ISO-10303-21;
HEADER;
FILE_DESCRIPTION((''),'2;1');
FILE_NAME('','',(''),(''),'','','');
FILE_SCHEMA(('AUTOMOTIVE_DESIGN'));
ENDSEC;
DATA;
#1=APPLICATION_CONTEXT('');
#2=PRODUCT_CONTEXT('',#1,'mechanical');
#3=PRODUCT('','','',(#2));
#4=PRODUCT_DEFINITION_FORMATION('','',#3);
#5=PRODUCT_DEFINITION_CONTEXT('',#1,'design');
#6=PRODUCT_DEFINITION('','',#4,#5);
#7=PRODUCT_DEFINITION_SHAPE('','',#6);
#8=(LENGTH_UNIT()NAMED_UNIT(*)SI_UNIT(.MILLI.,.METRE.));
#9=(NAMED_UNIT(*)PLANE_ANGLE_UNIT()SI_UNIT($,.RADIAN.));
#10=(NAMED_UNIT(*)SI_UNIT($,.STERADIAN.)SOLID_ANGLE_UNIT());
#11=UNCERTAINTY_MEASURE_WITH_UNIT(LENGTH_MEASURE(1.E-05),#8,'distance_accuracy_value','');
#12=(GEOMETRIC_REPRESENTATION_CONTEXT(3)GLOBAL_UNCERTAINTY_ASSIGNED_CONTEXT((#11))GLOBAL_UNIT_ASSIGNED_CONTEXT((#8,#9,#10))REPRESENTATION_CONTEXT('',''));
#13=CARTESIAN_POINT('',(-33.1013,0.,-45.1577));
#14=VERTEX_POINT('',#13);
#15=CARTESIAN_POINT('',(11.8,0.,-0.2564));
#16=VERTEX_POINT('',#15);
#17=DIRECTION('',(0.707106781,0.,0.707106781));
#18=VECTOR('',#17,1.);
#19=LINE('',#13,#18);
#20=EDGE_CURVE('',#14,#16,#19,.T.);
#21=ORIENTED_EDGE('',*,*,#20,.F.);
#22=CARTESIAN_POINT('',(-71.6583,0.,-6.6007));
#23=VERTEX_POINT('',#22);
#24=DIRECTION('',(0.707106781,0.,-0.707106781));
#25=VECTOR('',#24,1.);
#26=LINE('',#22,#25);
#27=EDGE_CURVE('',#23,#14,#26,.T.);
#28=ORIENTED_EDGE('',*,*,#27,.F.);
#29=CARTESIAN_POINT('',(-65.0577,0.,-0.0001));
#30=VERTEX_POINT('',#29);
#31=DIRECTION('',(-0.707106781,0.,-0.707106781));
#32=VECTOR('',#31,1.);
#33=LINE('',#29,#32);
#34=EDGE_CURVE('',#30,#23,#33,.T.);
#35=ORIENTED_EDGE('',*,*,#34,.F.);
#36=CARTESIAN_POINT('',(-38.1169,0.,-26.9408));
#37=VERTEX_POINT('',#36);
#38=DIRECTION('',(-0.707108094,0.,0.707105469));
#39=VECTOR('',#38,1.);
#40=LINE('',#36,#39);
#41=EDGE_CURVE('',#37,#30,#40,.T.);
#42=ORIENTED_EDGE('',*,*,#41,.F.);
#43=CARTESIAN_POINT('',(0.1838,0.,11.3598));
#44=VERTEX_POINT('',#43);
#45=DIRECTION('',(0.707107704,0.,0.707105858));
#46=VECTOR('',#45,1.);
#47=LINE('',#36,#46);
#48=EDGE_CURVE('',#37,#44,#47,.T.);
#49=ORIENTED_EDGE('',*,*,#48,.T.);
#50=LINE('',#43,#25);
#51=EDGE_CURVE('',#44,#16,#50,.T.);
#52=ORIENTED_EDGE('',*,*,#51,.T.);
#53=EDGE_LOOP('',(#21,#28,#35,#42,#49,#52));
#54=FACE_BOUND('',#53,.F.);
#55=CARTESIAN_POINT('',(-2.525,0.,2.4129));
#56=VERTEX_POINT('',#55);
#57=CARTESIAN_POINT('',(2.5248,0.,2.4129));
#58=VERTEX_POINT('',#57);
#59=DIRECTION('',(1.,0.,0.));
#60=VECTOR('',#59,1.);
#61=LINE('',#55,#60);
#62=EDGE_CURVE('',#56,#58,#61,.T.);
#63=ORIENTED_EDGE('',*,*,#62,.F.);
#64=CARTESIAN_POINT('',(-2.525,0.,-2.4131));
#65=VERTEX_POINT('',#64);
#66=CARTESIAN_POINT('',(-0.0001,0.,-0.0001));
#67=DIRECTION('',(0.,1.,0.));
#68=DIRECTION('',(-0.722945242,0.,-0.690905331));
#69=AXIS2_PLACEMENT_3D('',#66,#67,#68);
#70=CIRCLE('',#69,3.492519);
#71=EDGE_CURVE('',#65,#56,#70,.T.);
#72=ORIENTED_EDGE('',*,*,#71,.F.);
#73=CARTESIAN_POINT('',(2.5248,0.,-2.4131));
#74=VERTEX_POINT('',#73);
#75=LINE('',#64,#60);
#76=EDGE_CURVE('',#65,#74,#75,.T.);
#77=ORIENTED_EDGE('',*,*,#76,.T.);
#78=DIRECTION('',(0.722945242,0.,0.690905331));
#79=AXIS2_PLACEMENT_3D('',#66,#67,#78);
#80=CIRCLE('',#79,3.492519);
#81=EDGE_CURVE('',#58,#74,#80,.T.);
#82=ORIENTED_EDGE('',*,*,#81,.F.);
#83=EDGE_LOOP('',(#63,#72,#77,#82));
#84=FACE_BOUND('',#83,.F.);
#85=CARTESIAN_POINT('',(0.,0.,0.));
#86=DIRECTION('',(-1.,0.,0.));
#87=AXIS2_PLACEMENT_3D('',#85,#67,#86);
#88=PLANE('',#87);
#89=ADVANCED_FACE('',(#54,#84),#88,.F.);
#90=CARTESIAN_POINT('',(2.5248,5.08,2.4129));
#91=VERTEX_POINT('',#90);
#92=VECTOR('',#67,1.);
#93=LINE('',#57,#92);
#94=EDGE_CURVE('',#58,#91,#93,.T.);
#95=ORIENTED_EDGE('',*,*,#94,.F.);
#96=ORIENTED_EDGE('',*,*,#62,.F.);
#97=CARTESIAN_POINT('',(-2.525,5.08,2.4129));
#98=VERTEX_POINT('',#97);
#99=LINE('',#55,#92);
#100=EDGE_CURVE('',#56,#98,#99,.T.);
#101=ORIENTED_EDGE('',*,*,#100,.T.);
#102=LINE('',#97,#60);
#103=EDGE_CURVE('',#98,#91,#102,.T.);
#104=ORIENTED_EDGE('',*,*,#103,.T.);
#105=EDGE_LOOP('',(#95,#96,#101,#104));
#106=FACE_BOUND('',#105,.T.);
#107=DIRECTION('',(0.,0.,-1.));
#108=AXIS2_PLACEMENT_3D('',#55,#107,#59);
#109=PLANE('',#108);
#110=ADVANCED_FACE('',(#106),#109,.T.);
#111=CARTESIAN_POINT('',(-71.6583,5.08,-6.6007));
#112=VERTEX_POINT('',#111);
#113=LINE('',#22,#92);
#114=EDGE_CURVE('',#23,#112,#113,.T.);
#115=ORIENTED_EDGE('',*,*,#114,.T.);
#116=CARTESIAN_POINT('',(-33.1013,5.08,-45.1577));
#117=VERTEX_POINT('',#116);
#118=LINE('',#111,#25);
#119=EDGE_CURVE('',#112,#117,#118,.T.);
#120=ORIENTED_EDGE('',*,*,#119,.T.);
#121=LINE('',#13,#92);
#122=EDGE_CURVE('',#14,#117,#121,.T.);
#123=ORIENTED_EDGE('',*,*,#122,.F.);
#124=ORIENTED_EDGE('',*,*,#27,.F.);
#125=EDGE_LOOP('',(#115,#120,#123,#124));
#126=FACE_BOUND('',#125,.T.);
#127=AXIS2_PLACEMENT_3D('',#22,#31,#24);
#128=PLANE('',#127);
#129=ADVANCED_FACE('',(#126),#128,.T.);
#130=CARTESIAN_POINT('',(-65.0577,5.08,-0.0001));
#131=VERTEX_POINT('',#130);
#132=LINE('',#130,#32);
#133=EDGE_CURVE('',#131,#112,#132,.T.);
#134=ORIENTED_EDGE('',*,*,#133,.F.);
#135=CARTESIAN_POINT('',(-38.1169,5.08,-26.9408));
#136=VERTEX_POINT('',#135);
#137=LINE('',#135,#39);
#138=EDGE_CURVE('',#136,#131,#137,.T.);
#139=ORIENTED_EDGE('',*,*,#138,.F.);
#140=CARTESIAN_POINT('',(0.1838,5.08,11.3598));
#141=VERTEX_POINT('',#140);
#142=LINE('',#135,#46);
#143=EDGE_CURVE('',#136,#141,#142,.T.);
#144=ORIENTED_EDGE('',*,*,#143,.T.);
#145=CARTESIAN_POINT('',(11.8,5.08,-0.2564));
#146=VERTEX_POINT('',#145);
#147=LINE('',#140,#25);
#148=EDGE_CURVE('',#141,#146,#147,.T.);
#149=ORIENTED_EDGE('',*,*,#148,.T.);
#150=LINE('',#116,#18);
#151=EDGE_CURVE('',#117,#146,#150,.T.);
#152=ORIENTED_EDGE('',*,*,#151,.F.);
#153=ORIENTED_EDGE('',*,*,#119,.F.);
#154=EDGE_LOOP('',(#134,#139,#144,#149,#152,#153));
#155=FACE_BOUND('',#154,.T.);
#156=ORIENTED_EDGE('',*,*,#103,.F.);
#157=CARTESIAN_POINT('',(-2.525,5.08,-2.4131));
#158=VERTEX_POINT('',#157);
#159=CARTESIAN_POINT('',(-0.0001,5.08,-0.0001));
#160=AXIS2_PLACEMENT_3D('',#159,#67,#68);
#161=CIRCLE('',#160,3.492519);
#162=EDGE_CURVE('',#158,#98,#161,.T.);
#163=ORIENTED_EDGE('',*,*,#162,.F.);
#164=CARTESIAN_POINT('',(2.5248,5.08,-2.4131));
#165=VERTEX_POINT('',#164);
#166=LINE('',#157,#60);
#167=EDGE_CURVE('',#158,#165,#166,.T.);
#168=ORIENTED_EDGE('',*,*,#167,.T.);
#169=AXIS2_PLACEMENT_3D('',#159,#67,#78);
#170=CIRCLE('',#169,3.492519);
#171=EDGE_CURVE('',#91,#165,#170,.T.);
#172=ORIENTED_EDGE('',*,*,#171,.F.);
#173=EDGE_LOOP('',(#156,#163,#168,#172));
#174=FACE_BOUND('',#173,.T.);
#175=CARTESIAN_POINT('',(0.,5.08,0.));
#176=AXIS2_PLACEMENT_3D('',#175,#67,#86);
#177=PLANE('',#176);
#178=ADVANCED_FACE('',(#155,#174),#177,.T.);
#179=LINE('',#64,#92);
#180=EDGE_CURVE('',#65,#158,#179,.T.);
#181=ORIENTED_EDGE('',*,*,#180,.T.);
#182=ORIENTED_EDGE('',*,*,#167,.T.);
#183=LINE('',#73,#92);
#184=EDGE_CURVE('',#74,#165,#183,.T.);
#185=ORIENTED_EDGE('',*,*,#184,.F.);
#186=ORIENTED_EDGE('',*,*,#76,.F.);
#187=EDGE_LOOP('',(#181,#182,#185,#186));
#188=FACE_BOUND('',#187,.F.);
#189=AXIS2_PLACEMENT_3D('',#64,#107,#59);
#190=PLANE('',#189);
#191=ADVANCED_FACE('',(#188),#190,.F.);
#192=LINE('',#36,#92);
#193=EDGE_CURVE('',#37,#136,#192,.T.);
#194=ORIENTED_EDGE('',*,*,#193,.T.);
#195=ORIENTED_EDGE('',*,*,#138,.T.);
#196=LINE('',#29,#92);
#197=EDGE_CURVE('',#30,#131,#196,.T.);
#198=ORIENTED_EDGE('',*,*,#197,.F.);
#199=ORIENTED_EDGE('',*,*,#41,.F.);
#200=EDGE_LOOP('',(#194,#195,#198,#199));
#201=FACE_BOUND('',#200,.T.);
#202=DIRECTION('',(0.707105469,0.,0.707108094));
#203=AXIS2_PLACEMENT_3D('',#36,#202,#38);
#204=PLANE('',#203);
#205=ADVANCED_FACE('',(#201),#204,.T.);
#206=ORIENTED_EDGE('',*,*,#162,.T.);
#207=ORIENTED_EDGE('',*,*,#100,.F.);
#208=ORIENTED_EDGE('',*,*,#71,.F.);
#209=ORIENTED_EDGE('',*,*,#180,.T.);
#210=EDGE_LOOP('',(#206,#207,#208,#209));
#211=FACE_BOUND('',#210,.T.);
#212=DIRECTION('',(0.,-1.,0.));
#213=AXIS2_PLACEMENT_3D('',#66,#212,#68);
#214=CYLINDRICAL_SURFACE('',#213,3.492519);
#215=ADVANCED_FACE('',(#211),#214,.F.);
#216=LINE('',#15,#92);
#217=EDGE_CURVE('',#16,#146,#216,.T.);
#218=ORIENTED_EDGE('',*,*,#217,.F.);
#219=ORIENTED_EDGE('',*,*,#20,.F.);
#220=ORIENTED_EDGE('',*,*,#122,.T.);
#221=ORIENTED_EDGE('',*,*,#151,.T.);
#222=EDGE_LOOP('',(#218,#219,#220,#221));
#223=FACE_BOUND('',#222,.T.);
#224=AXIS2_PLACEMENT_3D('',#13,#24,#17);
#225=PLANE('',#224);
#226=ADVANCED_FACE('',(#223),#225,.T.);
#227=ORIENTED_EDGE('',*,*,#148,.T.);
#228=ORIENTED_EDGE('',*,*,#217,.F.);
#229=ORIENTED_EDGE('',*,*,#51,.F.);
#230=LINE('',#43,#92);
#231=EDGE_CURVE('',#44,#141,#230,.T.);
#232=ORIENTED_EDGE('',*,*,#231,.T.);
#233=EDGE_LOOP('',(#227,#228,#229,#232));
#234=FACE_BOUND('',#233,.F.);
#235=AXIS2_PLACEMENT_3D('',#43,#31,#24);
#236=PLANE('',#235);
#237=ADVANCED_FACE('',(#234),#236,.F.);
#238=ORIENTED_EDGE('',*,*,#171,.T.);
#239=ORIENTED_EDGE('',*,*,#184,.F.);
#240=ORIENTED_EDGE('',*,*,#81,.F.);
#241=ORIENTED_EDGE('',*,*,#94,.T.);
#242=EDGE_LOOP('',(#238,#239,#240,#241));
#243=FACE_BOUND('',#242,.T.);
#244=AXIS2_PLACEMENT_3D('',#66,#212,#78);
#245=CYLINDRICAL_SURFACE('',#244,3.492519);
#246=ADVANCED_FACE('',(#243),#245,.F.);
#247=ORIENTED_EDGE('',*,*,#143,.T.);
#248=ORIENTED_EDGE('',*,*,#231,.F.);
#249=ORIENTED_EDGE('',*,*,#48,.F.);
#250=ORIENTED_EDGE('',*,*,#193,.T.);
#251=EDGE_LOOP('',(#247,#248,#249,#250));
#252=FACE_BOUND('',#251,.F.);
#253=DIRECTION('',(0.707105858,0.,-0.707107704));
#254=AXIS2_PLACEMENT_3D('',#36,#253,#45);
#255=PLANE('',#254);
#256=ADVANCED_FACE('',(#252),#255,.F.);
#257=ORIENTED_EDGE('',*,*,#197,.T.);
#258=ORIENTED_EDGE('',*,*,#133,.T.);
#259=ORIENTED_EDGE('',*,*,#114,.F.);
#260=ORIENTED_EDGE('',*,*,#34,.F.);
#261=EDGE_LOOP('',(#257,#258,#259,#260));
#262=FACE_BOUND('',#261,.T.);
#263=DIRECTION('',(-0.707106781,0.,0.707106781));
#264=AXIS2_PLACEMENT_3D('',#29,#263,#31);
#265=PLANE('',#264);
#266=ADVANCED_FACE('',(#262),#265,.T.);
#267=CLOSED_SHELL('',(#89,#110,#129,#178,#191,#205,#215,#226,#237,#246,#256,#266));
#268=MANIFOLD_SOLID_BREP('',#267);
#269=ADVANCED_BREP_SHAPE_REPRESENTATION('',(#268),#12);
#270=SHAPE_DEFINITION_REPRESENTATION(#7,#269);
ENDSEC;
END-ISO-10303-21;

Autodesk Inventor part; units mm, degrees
ref_plane "YZ Plane" through (0, 0, 0) normal (1, 0, 0) x (0, 1, 0)
ref_plane "XZ Plane" through (0, 0, 0) normal (0, 1, 0) x (-1, 0, 0)
ref_plane "XY Plane" through (0, 0, 0) normal (0, 0, 1) x (1, 0, 0)
sketch "Sketch1" plane through (0, 0, 0) normal (0, 1, 0) x (-1, 0, 0)
  line L0 (38.1169, -26.9408) -> (65.0577, -0.0001)
  line L1 (71.6583, -6.6007) -> (33.1013, -45.1577)
  line L2 (65.0577, -0.0001) -> (71.6583, -6.6007)
  circle A0 centre (0.0001, -0.0001) radius 0.88
  line L3 (2.525, 2.4129) -> (-2.5248, 2.4129)
  line L4 (2.525, -2.4131) -> (-2.5248, -2.4131)
  arc A1 (-2.5248, 2.4129) -> (-2.5248, -2.4131) centre (0.0001, -0.0001) ccw
  arc A2 (2.525, -2.4131) -> (2.525, 2.4129) centre (0.0001, -0.0001) ccw
  line L5 (38.1169, -26.9408) -> (-0.1838, 11.3598)
  line L6 (-0.1838, 11.3598) -> (-11.8, -0.2564)
  line L7 (33.1013, -45.1577) -> (-11.8, -0.2564)
  dimension "d12" = 1.76
  dimension "d14" = 4.826
  dimension "d17" = 63.5
  dimension "d25" = 3.4925
extrude "Extrusion1" add sketch "Sketch1" along normal blind 5.08 contours L0 L2 L1 L7 L6 L5
sketch "Sketch2" plane through (0, 5.08, 0) normal (0, 1, 0) x (1, 0, 0)
  line L0 (-33.1013, 45.1577) -> (-71.6583, 6.6007) projected
  line L1 (-71.6583, 6.6007) -> (-65.0577, 0.0001) projected
  line L2 (-65.0577, 0.0001) -> (-38.1169, 26.9408) projected
  line L3 (-38.1169, 26.9408) -> (0.1838, -11.3598) projected
  line L4 (0.1838, -11.3598) -> (11.8, 0.2564) projected
  line L5 (11.8, 0.2564) -> (-33.1013, 45.1577) projected
  arc A0 (-2.525, 2.4131) -> (-2.525, -2.4129) centre (-0.0001, 0.0001) ccw projected
  line L6 (-2.525, 2.4131) -> (2.5248, 2.4131) projected
  arc A1 (2.5248, -2.4129) -> (2.5248, 2.4131) centre (-0.0001, 0.0001) ccw projected
  line L7 (2.5248, -2.4129) -> (-2.525, -2.4129) projected
  point P0 (0, 0)
properties part number "gripper (moving part"
